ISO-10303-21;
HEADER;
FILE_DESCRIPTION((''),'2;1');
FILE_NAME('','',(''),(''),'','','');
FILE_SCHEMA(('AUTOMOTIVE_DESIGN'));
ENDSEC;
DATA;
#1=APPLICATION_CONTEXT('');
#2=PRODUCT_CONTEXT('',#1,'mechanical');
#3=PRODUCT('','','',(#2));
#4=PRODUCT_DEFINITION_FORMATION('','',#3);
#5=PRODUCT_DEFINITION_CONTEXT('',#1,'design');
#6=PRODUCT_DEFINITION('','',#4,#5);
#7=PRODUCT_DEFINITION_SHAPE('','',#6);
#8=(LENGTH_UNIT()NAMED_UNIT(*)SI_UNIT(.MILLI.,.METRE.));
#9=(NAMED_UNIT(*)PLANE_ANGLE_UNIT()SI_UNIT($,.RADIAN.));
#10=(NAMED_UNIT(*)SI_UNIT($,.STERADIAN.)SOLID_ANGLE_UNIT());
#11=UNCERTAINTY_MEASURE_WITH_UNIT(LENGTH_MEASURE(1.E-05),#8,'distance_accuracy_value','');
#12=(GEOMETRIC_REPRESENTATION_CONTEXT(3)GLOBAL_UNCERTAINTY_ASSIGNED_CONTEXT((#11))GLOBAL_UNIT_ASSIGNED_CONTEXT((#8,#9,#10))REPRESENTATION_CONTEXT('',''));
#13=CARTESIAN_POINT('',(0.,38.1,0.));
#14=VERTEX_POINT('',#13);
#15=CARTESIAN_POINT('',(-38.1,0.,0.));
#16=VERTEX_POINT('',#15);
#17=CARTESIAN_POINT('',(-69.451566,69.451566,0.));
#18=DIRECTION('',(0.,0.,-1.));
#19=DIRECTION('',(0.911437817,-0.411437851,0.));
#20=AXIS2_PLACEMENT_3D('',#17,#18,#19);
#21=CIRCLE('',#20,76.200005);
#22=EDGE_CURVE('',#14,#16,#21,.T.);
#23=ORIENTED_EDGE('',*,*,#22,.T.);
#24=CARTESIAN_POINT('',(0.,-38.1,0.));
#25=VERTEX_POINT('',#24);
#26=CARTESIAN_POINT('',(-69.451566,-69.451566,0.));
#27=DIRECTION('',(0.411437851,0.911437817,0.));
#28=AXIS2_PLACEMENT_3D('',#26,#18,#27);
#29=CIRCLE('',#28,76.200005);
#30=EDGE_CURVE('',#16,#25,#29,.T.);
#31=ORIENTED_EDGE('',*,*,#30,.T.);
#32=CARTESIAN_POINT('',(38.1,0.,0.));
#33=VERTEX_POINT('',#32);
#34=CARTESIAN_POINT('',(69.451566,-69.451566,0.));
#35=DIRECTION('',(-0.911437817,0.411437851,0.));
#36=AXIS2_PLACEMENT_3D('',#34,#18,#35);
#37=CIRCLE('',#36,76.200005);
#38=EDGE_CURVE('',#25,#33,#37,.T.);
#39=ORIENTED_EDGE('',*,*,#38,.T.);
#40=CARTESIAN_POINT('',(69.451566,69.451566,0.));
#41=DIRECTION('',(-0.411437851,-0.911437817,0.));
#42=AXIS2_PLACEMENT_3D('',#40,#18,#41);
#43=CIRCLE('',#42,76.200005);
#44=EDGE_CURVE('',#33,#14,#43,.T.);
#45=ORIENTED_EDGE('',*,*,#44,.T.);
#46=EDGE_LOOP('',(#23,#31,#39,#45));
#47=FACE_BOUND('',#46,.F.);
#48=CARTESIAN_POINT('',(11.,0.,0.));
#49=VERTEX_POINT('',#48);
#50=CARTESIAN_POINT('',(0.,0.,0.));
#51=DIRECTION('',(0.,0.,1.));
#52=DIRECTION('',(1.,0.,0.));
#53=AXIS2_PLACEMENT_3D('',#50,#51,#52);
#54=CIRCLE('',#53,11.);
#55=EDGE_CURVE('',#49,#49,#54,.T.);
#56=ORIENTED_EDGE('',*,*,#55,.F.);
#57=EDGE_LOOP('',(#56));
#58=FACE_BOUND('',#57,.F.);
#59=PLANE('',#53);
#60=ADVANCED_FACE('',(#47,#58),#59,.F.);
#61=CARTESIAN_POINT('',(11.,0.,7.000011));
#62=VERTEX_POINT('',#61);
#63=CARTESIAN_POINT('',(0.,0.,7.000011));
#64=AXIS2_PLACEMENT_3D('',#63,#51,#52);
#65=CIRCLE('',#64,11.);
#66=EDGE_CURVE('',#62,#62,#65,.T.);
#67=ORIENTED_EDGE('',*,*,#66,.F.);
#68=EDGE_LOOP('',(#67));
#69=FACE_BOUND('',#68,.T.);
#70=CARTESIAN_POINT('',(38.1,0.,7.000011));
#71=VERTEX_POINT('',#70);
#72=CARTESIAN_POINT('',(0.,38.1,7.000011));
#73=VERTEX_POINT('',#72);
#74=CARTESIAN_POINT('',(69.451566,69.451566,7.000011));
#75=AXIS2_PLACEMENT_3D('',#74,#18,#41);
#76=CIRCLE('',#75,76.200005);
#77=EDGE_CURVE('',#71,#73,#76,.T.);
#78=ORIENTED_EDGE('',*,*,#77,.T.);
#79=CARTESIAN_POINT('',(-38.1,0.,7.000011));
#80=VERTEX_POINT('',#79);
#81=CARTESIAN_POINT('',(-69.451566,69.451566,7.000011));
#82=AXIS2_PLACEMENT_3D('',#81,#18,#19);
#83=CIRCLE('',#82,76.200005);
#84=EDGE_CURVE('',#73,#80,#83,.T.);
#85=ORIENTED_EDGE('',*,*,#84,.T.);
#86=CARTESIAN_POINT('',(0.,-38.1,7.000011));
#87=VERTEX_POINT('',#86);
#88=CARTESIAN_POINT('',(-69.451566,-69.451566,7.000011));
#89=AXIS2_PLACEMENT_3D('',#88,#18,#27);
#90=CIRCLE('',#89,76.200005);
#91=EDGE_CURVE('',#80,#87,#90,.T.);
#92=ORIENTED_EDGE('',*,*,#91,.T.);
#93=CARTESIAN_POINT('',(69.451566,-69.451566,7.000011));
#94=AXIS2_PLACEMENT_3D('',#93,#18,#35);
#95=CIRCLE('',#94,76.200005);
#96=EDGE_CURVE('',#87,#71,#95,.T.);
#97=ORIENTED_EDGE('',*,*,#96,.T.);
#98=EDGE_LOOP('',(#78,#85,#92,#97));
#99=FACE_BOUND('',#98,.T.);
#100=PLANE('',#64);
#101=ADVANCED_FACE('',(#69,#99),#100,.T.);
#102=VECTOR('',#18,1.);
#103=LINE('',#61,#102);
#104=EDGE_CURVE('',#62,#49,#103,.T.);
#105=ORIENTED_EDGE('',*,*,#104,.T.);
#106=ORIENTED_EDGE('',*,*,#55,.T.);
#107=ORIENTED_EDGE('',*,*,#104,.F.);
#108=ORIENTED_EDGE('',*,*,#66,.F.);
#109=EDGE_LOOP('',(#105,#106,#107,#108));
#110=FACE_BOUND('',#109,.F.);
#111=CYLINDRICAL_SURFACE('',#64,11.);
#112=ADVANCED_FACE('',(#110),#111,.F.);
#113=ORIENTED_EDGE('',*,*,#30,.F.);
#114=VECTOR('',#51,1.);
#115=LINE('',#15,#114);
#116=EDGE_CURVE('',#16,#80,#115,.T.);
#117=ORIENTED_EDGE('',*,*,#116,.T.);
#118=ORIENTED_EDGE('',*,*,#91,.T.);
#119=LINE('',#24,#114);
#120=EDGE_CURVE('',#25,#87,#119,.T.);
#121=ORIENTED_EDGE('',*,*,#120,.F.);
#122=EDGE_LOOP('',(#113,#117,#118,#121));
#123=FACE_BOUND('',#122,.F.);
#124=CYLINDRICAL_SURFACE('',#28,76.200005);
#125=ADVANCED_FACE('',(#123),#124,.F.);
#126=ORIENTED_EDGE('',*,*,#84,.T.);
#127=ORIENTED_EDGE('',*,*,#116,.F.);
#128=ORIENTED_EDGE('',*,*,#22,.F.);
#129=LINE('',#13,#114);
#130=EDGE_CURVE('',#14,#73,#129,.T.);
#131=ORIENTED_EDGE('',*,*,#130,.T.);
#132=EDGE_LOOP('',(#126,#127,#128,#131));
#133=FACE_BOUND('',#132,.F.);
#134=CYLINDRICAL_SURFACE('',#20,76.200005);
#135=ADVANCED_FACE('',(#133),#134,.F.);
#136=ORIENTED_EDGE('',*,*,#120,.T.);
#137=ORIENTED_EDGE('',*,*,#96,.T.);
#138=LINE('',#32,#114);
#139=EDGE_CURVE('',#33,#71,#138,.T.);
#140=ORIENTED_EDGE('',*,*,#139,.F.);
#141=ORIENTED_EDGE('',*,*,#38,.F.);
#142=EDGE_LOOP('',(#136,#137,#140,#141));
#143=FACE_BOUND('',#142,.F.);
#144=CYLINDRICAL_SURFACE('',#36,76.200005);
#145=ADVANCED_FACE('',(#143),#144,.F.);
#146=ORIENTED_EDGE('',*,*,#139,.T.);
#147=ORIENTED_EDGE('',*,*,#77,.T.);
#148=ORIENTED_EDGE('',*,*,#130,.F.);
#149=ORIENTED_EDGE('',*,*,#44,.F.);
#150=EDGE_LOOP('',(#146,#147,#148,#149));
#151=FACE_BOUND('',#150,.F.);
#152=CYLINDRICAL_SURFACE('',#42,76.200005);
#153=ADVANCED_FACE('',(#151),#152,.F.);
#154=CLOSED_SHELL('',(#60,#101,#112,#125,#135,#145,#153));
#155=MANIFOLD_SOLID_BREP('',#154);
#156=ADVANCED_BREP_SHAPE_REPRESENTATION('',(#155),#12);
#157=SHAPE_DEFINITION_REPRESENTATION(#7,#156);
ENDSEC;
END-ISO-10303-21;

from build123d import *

# Parameters (mm, degrees)
F1_DEPTH = 7.000011
F2_R     = 11
F3_DEPTH = 7.001011


with BuildPart() as f1:
    # F0 (on Top) → F1 (new body)
    with BuildSketch(Plane.XY):
        with BuildLine():
            ThreePointArc((0, -38.1), (15.570026, -15.570026), (38.1, 0))
            ThreePointArc((38.1, 0), (15.570026, 15.570026), (0, 38.1))
            ThreePointArc((0, 38.1), (-15.570026, 15.570026), (-38.1, 0))
            ThreePointArc((-38.1, 0), (-15.570026, -15.570026), (0, -38.1))
        make_face()
    extrude(amount=F1_DEPTH)

    # F2 (on face) → F3 (cut, through all)
    with BuildSketch(Plane.XY.offset(7.000011)):
        Circle(F2_R)
    extrude(amount=-F3_DEPTH, mode=Mode.SUBTRACT)


solid = f1.part
